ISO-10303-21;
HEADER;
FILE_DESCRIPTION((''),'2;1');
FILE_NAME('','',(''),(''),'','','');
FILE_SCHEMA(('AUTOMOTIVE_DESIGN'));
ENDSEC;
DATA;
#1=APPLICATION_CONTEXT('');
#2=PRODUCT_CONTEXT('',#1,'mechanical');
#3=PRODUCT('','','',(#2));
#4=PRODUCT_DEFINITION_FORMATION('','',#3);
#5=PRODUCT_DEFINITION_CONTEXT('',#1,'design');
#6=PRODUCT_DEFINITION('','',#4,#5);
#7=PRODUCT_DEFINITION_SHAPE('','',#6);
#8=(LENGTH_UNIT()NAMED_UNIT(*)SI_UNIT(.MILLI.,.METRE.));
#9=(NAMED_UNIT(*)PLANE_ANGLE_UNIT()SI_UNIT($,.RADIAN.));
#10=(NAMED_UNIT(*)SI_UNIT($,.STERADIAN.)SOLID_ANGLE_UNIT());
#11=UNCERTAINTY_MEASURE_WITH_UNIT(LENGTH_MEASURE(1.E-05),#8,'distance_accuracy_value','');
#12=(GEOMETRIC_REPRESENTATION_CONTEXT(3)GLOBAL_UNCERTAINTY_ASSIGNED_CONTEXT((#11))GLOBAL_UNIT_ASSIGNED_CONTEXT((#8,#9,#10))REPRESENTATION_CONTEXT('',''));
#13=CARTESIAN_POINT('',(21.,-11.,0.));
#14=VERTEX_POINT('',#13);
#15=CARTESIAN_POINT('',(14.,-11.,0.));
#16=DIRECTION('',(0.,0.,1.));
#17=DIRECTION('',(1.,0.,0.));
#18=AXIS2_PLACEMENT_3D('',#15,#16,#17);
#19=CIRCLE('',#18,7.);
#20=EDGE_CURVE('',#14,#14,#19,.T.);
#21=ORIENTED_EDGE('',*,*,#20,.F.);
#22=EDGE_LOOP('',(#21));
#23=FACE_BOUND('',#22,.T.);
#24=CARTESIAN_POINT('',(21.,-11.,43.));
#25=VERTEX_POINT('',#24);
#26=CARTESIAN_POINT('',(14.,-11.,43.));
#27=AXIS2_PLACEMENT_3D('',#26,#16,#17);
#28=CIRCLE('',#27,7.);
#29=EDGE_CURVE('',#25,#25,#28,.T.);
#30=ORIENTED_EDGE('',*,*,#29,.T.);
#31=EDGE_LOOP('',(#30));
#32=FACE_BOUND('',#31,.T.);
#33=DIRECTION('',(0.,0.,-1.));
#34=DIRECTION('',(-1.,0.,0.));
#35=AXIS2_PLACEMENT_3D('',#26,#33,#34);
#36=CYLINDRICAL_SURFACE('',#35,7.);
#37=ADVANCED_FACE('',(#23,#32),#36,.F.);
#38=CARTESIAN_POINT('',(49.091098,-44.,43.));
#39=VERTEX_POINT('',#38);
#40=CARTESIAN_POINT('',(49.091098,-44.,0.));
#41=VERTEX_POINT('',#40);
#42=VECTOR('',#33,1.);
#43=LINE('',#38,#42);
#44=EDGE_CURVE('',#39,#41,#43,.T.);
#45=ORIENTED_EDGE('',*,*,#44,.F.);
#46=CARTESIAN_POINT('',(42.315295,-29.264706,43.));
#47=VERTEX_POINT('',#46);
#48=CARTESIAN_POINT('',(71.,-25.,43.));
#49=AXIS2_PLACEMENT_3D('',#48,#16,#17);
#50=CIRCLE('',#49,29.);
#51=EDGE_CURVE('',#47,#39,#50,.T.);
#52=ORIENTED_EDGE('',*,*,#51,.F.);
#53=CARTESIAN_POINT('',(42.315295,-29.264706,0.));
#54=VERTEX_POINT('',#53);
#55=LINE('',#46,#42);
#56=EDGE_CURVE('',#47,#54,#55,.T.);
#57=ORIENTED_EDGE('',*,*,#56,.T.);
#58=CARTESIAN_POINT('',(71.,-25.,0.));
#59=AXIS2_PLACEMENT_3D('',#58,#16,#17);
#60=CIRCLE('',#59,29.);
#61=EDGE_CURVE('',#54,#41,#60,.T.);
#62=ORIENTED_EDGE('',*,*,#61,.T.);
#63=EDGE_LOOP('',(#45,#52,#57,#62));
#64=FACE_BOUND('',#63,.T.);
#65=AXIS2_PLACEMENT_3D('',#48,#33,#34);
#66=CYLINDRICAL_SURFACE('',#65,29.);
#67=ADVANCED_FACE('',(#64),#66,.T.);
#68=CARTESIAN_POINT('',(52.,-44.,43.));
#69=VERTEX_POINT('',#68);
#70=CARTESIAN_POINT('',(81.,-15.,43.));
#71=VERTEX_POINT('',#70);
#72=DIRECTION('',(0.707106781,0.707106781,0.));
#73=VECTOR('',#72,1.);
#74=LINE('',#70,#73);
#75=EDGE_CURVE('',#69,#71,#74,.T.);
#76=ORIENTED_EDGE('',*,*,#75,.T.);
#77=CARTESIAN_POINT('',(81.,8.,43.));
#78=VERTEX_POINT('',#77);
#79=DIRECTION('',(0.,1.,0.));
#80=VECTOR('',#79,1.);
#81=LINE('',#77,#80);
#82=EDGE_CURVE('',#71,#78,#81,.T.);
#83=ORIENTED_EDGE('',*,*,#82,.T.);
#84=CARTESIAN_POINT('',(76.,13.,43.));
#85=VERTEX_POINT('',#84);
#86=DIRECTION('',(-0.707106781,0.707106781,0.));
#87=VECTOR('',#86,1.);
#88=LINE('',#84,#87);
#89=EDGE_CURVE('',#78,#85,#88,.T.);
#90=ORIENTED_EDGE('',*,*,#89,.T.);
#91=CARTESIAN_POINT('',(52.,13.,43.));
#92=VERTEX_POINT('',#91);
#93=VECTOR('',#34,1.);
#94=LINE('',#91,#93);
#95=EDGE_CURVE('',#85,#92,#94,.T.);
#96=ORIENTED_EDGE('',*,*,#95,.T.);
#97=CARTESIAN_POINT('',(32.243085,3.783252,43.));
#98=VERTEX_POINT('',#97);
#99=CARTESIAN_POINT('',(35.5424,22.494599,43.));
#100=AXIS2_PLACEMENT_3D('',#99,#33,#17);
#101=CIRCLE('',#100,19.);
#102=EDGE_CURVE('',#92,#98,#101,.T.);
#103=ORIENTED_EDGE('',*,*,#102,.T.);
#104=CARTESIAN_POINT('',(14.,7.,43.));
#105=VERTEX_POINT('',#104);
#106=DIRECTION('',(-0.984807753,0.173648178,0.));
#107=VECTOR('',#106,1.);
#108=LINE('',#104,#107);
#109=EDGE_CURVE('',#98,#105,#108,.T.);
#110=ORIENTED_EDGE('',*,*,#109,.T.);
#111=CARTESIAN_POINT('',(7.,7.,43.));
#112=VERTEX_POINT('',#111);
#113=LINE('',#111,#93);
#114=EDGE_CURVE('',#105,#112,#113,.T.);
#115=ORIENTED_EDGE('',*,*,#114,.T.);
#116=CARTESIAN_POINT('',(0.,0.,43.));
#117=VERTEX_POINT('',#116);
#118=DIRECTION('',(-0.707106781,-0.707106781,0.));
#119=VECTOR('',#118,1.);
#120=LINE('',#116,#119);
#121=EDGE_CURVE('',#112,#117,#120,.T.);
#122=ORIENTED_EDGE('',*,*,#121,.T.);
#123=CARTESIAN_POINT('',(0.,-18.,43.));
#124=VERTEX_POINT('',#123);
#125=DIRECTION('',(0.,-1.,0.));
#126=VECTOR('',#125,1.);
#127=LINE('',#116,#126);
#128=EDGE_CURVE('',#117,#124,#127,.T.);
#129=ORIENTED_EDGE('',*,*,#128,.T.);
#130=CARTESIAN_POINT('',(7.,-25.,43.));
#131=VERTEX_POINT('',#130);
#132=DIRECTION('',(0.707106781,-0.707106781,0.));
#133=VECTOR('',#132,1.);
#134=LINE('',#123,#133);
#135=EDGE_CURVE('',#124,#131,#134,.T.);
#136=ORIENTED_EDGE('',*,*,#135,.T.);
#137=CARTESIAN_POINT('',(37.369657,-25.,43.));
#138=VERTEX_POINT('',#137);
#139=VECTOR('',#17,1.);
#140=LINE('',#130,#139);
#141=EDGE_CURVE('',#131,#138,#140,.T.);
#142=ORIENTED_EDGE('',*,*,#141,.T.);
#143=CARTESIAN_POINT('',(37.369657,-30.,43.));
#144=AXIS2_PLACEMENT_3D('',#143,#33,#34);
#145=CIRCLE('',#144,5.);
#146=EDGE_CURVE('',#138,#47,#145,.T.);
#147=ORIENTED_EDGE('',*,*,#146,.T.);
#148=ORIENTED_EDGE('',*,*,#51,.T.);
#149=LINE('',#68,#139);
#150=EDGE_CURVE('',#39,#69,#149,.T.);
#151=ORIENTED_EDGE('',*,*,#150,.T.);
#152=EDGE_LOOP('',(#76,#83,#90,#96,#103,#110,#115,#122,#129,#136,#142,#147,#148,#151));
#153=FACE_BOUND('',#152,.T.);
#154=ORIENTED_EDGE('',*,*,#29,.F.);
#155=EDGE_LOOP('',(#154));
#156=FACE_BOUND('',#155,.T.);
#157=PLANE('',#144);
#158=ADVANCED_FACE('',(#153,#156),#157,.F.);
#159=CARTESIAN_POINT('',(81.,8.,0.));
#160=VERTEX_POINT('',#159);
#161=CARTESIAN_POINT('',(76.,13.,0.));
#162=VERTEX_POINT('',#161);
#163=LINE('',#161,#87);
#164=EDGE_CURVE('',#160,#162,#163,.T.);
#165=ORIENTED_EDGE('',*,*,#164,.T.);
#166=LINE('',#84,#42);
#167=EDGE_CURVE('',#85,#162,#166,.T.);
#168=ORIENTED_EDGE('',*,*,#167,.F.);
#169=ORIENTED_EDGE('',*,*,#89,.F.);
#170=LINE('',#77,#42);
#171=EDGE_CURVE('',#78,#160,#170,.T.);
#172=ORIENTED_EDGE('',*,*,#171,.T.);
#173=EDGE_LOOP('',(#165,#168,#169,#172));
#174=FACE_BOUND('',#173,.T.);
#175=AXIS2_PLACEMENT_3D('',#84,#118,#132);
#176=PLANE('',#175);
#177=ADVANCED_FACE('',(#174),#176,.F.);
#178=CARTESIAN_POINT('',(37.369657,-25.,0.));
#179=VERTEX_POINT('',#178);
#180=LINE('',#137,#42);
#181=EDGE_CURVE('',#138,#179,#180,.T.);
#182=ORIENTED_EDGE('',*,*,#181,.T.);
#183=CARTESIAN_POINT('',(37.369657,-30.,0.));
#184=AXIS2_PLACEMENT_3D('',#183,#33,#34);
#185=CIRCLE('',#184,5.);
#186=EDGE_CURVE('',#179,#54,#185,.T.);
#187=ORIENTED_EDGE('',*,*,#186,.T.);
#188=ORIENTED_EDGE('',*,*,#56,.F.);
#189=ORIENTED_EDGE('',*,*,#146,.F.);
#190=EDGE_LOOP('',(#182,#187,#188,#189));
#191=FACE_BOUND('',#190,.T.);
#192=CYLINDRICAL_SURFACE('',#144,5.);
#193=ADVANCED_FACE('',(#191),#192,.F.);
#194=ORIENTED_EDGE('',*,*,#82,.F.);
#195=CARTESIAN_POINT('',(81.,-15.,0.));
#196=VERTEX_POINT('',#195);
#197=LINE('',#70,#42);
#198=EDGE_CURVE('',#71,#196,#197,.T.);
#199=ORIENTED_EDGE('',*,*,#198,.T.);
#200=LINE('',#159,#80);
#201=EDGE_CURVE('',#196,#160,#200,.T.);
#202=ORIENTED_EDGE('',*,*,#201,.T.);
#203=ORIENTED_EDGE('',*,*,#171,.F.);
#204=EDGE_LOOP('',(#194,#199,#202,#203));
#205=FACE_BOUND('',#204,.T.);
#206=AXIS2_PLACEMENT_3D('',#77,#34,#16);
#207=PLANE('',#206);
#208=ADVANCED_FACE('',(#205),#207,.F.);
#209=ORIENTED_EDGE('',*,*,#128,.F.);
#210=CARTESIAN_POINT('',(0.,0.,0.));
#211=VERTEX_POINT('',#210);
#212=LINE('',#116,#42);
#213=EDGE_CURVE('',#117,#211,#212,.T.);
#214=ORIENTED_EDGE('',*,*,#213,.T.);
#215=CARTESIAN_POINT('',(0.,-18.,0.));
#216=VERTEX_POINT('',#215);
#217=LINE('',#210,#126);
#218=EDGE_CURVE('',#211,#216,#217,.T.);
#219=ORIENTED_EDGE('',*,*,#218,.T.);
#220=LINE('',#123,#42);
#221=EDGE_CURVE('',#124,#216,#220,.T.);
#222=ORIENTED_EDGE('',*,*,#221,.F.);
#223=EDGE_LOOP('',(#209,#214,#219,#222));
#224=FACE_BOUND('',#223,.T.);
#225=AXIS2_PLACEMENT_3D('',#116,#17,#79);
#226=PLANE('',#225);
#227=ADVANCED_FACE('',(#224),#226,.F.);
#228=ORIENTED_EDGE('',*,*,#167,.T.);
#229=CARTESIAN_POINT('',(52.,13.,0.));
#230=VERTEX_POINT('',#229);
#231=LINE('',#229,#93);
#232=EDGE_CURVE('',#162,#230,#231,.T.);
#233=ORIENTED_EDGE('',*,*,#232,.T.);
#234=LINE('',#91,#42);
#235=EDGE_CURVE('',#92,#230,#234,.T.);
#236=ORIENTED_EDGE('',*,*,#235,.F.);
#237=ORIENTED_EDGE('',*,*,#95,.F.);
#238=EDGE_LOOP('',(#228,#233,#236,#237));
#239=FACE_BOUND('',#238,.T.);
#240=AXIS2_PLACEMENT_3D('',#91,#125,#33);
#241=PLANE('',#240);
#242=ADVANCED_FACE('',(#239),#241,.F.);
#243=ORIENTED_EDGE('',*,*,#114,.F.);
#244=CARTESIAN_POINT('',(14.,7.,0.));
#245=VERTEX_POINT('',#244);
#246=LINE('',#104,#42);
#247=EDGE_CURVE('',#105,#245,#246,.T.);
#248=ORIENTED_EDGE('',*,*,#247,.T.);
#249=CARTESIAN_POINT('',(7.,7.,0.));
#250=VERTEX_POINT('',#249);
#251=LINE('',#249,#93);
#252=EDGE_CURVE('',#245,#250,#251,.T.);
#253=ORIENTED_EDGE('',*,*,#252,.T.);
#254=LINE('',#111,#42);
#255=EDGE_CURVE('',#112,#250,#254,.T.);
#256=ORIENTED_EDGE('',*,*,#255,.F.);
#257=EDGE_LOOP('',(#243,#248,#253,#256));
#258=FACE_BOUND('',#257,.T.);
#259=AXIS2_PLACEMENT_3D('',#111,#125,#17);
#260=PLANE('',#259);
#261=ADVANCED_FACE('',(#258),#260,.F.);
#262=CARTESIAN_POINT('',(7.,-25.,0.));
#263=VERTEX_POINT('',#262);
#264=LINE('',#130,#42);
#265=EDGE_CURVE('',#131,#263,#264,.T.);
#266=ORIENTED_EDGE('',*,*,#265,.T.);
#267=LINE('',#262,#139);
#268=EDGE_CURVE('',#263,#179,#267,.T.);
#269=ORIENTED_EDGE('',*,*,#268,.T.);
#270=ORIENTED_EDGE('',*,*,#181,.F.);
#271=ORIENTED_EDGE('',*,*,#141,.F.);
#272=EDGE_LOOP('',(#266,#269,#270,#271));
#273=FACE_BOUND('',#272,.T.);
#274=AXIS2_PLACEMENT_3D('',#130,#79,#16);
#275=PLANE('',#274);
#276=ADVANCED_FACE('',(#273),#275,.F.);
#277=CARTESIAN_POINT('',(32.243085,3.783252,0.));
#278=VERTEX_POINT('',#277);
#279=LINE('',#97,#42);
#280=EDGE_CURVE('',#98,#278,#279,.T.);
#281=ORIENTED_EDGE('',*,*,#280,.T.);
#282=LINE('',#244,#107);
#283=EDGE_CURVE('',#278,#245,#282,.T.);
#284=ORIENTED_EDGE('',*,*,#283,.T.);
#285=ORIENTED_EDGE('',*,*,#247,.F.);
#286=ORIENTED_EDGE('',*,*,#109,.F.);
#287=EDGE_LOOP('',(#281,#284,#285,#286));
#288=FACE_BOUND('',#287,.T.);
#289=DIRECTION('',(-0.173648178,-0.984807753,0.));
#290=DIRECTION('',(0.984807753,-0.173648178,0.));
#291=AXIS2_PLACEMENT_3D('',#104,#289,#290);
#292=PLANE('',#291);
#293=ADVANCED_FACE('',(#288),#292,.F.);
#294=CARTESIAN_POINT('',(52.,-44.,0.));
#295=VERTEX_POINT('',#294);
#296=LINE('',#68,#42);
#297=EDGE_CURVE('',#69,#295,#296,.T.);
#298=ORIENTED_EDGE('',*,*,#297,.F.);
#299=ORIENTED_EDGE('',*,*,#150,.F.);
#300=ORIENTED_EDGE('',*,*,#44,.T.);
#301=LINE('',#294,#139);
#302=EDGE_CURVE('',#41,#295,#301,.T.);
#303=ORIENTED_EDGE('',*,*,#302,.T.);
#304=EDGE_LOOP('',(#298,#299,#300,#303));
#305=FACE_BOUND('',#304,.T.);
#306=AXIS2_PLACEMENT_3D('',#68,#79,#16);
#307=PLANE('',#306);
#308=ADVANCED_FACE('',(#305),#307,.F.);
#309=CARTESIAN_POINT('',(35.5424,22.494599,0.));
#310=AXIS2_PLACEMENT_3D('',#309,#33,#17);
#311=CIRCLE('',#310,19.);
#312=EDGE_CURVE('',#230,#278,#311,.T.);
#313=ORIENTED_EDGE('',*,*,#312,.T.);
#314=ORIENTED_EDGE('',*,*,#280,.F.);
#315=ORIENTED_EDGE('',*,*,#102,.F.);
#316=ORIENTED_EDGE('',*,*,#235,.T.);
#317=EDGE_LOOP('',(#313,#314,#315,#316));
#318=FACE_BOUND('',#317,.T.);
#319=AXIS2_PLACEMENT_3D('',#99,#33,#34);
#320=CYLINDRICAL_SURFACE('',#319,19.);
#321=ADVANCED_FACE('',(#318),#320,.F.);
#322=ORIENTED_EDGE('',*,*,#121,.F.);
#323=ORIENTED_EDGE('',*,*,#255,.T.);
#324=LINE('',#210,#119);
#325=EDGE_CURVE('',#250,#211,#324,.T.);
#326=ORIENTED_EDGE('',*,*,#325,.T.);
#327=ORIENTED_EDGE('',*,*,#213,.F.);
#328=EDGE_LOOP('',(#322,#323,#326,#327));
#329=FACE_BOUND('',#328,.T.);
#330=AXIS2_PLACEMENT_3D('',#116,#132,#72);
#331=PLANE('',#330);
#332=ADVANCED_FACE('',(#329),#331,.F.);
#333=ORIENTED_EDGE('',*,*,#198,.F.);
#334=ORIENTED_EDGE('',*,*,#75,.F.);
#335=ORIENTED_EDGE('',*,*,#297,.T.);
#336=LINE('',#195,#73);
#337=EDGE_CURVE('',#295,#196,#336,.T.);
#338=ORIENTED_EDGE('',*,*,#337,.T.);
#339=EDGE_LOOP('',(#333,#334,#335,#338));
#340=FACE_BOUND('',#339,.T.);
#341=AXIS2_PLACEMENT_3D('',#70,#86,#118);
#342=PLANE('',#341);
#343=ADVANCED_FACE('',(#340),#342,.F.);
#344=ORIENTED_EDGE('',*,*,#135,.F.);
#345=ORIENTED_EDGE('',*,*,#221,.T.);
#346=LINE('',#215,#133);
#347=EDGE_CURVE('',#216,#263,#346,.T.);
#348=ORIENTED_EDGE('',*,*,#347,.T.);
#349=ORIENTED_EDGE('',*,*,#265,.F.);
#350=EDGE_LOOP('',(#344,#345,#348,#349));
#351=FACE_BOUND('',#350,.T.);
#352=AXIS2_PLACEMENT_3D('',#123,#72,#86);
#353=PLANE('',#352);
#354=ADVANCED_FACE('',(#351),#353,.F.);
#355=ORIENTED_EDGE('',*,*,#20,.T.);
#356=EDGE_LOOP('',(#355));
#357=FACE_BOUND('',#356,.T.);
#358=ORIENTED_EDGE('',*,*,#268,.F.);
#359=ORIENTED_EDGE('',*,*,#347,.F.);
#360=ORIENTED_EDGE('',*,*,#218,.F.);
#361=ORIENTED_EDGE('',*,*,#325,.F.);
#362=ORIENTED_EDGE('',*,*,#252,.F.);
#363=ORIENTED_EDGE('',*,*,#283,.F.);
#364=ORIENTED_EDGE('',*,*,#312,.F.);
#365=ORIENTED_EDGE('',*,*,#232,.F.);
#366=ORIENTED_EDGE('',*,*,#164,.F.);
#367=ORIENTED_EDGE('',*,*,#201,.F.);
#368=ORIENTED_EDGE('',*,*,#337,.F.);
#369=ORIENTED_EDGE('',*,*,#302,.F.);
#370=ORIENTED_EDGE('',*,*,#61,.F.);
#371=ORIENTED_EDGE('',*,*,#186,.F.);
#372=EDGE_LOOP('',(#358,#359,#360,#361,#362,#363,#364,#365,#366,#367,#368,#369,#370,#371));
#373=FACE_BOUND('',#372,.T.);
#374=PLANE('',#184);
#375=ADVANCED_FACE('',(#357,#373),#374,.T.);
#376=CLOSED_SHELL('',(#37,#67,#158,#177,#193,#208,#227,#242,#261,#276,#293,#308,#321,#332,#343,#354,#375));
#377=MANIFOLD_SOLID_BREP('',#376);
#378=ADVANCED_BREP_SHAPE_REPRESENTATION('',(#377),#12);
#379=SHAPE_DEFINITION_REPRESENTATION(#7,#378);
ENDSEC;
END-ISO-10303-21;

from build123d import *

# Parameters (mm, degrees)
SKETCH1_R           = 7
BOSS_EXTRUDE2_DEPTH = 43


with BuildPart() as part:
    # Sketch1 → Boss-Extrude2 (new body)
    with BuildSketch(Plane.XY):
        with BuildLine():
            Line((0, 0), (7, 7))
            Line((7, 7), (14, 7))
            Line((14, 7), (32.243084988, 3.783251905))
            ThreePointArc((32.243084988, 3.783251905), (43.574972961, 5.276069151), (52, 13))
            Line((52, 13), (76, 13))
            Line((76, 13), (81, 8))
            Line((81, 8), (81, -15))
            Line((81, -15), (52, -44))
            Line((52, -44), (49.0910977, -44))
            ThreePointArc((49.0910977, -44), (44.652125503, -37.115672061), (42.3152953, -29.264705882))
            ThreePointArc((42.3152953, -29.264705882), (40.634892339, -26.213413768), (37.369656558, -25))
            Line((37.369656558, -25), (7, -25))
            Line((7, -25), (0, -18))
            Line((0, -18), (0, 0))
        make_face()
        with Locations((14, -11)):
            Circle(SKETCH1_R, mode=Mode.SUBTRACT)
    extrude(amount=BOSS_EXTRUDE2_DEPTH)


solid = part.part
